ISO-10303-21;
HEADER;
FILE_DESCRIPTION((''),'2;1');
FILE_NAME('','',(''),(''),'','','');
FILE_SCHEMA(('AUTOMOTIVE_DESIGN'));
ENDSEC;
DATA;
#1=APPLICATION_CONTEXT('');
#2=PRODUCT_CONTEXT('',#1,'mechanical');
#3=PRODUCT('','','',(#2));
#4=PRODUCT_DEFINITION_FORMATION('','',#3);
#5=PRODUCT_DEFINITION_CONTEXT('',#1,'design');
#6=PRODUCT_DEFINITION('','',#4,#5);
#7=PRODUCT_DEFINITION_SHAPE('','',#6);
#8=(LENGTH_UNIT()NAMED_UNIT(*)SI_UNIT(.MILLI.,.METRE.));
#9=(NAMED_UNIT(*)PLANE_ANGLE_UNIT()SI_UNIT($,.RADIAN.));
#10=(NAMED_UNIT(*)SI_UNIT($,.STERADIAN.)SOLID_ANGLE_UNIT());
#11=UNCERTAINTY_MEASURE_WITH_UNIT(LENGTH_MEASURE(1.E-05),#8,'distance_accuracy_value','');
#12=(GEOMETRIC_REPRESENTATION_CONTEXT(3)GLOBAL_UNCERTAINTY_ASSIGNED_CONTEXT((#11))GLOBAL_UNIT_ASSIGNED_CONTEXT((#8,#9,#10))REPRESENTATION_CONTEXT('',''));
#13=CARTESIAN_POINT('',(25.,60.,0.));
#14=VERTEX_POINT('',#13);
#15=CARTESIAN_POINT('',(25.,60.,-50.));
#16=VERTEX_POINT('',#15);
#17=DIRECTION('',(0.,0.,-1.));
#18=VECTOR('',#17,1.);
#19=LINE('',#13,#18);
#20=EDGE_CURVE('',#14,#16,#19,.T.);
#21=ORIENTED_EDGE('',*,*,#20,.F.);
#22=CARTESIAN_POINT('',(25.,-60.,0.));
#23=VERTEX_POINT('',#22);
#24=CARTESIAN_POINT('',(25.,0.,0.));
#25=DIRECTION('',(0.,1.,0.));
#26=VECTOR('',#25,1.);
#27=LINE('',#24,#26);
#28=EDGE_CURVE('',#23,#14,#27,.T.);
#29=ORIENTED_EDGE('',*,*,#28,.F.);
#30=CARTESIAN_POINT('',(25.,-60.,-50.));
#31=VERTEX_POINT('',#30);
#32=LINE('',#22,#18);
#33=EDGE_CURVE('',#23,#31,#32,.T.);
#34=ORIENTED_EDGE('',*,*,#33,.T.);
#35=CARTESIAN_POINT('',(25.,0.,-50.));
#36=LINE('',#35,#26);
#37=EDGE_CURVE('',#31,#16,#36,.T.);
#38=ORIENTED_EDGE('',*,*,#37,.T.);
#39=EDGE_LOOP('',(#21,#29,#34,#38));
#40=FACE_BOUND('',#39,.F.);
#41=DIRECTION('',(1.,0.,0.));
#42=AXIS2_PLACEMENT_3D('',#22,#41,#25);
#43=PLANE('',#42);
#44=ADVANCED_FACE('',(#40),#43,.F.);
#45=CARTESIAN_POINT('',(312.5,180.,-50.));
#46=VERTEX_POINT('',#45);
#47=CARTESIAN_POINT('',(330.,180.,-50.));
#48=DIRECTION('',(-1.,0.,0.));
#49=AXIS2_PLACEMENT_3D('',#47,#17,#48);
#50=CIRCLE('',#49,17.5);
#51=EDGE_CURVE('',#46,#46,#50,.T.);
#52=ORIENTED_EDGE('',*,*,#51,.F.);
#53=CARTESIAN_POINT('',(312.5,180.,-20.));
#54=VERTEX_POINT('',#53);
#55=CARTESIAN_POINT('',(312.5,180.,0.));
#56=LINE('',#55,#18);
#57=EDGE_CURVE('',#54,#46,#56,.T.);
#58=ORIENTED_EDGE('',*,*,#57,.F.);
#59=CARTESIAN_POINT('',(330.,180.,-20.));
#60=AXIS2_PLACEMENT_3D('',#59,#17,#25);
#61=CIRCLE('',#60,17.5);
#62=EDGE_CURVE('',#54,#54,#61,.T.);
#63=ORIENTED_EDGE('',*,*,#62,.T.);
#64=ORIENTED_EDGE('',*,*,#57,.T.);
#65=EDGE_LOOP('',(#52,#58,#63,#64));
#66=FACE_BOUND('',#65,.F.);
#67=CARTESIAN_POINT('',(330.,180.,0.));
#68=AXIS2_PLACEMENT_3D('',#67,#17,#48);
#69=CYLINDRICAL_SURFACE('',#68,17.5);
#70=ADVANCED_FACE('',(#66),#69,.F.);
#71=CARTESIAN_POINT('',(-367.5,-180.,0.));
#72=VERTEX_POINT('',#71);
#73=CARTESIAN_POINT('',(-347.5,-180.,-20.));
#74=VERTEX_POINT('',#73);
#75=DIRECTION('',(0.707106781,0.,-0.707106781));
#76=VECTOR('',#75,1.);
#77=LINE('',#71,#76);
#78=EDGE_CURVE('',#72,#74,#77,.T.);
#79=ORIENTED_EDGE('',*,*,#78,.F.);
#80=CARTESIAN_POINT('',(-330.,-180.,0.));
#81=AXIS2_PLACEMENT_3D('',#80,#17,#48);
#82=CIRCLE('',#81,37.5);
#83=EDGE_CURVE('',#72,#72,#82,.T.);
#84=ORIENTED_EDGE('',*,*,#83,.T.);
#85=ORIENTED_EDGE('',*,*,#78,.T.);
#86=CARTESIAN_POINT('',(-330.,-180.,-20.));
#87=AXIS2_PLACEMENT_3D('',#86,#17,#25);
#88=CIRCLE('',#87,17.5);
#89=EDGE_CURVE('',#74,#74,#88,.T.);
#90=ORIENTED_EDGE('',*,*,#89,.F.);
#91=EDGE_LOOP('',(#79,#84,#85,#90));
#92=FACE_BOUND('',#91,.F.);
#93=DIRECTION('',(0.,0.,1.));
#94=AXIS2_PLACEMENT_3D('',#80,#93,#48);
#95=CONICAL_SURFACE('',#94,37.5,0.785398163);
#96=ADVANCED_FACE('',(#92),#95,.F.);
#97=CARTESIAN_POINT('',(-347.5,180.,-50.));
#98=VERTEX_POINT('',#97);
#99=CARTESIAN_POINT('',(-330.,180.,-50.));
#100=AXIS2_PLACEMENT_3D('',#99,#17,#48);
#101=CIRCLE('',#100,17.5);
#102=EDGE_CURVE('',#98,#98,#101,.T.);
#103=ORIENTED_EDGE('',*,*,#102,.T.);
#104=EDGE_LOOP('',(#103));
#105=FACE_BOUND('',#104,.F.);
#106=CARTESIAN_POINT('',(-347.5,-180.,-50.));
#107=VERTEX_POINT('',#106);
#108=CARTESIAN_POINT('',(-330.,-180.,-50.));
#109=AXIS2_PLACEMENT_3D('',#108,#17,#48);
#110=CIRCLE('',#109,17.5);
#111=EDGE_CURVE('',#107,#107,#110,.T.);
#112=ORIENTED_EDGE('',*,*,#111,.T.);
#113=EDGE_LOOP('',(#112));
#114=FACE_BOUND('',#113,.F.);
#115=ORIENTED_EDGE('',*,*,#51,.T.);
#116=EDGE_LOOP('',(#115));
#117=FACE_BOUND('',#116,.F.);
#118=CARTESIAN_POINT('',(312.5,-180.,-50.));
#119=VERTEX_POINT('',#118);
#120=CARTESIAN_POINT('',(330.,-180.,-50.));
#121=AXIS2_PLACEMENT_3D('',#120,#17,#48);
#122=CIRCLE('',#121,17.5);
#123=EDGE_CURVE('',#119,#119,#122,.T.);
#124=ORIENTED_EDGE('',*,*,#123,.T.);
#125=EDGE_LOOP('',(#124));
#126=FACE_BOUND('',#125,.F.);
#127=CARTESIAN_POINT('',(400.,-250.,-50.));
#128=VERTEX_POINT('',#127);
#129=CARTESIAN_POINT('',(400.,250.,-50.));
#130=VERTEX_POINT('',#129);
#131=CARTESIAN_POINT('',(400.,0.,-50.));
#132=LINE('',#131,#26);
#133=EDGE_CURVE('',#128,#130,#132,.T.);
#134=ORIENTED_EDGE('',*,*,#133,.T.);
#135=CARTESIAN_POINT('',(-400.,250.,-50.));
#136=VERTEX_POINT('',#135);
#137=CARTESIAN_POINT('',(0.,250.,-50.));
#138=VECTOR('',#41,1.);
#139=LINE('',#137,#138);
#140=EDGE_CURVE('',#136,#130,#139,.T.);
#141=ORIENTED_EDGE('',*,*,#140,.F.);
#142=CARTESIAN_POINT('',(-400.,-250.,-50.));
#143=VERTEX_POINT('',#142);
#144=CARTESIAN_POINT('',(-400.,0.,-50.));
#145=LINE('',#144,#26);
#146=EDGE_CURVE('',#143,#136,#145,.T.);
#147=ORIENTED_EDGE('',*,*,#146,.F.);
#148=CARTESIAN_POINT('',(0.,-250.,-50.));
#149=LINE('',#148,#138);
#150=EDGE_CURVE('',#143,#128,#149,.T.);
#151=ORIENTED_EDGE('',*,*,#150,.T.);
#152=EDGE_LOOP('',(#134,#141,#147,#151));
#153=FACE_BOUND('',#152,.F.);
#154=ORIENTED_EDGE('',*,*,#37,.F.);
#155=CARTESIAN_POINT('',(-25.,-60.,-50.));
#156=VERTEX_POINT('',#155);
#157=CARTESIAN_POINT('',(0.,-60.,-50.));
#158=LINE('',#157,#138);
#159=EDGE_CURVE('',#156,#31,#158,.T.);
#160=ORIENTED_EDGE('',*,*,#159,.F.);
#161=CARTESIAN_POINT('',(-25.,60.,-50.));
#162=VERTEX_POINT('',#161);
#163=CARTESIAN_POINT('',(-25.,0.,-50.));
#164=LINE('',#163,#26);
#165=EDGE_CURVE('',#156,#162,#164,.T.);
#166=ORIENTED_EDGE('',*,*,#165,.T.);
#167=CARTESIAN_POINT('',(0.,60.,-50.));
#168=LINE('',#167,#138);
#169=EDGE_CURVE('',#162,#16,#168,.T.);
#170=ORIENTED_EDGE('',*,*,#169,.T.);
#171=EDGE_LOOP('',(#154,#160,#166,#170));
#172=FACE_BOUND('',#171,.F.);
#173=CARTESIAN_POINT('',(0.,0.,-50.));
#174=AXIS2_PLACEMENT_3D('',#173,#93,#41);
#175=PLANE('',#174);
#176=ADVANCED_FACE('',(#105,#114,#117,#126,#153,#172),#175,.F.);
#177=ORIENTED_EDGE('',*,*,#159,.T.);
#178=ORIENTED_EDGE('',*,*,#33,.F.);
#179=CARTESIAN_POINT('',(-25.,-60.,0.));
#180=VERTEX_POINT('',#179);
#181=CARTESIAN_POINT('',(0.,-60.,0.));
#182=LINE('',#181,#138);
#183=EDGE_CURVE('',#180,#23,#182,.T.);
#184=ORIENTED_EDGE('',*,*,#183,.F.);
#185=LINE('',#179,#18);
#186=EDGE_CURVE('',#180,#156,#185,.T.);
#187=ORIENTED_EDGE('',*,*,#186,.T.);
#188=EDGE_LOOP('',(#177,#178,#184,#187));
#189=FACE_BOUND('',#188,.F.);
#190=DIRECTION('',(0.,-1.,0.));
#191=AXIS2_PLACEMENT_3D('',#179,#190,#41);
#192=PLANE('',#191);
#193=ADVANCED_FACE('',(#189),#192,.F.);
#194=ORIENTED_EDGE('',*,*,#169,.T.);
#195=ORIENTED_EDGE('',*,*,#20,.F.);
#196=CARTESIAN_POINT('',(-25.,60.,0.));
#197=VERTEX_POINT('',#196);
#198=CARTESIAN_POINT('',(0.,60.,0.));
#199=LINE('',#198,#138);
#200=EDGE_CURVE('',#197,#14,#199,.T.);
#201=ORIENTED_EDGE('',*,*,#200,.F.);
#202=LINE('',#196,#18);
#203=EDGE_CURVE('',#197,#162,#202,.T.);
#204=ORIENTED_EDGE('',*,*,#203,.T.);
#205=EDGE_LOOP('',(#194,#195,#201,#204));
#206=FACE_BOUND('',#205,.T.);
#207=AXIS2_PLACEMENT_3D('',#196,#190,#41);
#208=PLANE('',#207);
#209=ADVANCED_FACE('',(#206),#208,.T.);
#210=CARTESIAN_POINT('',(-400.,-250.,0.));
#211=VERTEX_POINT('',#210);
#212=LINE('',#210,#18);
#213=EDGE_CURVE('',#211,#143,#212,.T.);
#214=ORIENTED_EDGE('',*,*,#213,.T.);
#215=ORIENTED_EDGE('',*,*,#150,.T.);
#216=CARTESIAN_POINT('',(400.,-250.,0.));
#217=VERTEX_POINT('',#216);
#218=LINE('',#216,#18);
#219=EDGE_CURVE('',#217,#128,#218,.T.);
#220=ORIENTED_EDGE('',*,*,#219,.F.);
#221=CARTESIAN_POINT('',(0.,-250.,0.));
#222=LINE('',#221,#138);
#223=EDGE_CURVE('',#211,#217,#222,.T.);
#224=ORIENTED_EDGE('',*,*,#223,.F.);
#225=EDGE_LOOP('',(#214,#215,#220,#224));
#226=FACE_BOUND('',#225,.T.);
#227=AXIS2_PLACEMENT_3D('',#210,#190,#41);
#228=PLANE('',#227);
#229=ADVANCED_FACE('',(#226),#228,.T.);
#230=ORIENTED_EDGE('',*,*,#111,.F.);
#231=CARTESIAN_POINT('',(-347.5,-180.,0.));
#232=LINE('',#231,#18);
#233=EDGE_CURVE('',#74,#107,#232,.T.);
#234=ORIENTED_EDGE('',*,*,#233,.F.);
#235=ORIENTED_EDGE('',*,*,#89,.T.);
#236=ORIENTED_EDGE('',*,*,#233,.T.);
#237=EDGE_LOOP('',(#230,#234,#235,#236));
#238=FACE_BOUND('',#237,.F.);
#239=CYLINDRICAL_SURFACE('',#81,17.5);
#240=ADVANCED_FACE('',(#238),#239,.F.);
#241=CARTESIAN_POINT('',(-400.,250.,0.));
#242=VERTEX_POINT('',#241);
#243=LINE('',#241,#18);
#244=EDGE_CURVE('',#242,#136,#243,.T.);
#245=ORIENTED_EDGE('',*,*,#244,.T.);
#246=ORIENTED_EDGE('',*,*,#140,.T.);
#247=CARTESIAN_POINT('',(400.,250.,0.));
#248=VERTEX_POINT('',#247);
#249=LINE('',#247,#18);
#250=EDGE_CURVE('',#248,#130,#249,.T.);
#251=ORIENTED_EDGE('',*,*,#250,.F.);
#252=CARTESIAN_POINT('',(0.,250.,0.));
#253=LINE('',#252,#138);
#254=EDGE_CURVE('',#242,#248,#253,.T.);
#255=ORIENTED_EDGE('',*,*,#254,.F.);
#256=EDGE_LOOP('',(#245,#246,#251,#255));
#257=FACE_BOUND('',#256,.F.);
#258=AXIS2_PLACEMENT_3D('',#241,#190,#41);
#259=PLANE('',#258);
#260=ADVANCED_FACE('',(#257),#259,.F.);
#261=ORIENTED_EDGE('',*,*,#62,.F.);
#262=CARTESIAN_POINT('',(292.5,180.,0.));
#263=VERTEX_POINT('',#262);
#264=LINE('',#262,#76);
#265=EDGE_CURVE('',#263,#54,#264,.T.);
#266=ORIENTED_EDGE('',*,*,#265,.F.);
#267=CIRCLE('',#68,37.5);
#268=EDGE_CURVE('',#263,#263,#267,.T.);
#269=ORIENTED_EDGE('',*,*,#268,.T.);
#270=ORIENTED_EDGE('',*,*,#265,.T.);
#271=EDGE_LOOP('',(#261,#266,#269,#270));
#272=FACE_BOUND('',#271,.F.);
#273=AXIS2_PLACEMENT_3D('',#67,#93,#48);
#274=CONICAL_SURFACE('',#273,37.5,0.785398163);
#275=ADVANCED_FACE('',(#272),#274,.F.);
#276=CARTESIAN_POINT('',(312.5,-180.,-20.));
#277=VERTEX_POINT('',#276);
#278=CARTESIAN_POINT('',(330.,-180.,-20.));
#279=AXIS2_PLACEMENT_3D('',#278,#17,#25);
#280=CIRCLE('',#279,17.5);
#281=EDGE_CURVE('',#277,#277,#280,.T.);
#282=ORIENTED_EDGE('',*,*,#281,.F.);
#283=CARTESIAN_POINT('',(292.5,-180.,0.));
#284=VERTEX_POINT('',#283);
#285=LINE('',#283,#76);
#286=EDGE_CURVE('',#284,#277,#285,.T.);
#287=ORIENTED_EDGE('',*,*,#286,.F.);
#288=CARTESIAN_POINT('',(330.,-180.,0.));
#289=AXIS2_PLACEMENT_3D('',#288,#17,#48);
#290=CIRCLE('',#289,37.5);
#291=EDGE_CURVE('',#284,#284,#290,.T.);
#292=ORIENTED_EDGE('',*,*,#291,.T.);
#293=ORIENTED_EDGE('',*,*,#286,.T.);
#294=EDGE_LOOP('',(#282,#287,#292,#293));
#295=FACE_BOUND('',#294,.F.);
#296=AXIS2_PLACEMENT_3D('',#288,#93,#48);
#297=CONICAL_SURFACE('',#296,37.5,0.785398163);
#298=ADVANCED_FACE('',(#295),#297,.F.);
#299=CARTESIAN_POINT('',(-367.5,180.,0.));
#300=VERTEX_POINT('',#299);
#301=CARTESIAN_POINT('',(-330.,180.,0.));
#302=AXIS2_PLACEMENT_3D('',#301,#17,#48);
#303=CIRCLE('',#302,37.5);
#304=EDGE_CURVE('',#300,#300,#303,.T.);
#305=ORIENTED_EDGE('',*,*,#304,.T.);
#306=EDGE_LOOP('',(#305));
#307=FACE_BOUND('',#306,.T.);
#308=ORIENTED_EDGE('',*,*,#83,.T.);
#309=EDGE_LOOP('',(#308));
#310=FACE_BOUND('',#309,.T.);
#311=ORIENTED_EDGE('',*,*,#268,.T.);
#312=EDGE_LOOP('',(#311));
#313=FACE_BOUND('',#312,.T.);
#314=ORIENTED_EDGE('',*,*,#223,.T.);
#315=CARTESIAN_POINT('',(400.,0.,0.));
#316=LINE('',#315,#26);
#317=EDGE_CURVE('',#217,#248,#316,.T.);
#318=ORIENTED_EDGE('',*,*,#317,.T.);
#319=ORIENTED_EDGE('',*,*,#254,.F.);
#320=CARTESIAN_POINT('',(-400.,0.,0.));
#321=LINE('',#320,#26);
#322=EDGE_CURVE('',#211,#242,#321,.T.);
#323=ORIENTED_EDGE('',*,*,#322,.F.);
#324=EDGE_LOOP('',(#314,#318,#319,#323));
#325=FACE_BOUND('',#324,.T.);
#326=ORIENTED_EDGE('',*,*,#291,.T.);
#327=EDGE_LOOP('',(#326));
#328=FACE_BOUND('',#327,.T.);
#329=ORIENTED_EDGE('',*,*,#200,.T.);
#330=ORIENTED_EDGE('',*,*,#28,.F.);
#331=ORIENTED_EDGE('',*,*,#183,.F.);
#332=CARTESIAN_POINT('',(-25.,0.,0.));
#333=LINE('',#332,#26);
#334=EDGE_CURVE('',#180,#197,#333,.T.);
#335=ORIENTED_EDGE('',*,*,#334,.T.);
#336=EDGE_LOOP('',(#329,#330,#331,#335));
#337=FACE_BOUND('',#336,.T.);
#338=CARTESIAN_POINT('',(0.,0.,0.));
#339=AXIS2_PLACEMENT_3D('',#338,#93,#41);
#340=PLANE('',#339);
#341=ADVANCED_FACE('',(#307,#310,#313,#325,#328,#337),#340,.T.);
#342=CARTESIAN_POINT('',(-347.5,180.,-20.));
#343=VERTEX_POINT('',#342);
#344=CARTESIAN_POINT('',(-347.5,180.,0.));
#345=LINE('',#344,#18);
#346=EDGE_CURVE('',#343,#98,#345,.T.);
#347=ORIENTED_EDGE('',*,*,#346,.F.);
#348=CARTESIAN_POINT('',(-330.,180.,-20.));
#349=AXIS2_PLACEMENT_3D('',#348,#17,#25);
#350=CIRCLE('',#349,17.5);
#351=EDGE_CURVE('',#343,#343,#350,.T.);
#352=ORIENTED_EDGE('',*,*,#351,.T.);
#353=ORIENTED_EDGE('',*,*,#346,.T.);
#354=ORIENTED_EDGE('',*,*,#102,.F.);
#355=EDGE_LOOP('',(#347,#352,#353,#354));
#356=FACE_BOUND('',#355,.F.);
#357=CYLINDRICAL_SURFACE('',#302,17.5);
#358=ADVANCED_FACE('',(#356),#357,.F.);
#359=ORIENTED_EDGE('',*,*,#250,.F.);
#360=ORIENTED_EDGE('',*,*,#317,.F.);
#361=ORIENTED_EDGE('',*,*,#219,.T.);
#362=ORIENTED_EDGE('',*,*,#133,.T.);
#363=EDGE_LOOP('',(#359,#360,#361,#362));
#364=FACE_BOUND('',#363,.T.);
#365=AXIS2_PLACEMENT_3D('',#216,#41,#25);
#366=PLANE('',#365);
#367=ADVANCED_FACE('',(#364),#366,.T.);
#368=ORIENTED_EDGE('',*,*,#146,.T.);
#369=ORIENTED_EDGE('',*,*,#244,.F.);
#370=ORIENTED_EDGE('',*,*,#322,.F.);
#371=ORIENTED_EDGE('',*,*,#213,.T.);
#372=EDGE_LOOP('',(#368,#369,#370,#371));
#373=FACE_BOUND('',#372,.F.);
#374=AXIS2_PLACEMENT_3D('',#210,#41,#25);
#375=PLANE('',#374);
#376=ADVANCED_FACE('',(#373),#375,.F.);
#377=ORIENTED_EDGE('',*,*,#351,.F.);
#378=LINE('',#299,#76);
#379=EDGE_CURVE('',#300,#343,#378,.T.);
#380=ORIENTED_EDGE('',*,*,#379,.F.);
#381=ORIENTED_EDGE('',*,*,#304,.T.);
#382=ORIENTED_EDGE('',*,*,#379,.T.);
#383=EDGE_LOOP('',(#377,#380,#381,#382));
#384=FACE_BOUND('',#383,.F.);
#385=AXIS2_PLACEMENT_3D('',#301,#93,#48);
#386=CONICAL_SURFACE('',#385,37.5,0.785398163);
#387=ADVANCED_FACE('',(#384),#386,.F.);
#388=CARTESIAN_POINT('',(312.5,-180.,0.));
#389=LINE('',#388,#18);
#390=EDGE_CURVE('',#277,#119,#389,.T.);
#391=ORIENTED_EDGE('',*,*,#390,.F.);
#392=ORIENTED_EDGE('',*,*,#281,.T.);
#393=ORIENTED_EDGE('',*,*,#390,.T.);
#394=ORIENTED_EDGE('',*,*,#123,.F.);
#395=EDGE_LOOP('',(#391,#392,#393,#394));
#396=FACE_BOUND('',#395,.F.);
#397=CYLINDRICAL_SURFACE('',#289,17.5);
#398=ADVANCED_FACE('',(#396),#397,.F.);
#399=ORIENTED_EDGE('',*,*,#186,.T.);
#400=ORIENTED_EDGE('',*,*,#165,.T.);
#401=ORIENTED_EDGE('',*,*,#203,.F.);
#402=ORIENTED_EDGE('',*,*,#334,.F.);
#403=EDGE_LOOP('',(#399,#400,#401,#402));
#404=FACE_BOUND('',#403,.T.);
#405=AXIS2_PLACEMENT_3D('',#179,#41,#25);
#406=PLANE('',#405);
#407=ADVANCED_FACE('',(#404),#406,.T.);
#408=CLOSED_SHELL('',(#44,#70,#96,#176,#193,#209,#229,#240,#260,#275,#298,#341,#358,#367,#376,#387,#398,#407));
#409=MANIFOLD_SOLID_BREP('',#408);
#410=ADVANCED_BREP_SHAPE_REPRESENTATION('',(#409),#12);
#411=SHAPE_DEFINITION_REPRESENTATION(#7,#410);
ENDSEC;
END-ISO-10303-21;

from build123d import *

# Parameters (mm, degrees)
F0_W           = 800
F0_H           = 500
F0_R           = 17.5
F0_W_2         = 50
F0_H_2         = 120
F1_DEPTH       = 50
F2_D           = 35
F2_CSINK_D     = 75
F2_CSINK_ANGLE = 90


with BuildPart() as f1:
    # F0 (on Top) → F1 (new body)
    with BuildSketch(Plane.XY):
        Rectangle(F0_W, F0_H)
        with Locations((-330, -180)):
            Circle(F0_R, mode=Mode.SUBTRACT)
        with Locations((330, -180)):
            Circle(F0_R, mode=Mode.SUBTRACT)
        Rectangle(F0_W_2, F0_H_2, mode=Mode.SUBTRACT)
        with Locations((-330, 180)):
            Circle(F0_R, mode=Mode.SUBTRACT)
        with Locations((330, 180)):
            Circle(F0_R, mode=Mode.SUBTRACT)
        with Locations((-330, -180)):
            Circle(F0_R)
        with Locations((-330, 180)):
            Circle(F0_R)
        with Locations((330, 180)):
            Circle(F0_R)
        with Locations((330, -180)):
            Circle(F0_R)
    extrude(amount=-F1_DEPTH)

    # F2 (through all)
    with Locations(Plane.XY):
        with Locations((-330, -180), (-330, 180), (330, 180), (330, -180)):
            CounterSinkHole(F2_D / 2, F2_CSINK_D / 2, counter_sink_angle=F2_CSINK_ANGLE)


solid = f1.part
